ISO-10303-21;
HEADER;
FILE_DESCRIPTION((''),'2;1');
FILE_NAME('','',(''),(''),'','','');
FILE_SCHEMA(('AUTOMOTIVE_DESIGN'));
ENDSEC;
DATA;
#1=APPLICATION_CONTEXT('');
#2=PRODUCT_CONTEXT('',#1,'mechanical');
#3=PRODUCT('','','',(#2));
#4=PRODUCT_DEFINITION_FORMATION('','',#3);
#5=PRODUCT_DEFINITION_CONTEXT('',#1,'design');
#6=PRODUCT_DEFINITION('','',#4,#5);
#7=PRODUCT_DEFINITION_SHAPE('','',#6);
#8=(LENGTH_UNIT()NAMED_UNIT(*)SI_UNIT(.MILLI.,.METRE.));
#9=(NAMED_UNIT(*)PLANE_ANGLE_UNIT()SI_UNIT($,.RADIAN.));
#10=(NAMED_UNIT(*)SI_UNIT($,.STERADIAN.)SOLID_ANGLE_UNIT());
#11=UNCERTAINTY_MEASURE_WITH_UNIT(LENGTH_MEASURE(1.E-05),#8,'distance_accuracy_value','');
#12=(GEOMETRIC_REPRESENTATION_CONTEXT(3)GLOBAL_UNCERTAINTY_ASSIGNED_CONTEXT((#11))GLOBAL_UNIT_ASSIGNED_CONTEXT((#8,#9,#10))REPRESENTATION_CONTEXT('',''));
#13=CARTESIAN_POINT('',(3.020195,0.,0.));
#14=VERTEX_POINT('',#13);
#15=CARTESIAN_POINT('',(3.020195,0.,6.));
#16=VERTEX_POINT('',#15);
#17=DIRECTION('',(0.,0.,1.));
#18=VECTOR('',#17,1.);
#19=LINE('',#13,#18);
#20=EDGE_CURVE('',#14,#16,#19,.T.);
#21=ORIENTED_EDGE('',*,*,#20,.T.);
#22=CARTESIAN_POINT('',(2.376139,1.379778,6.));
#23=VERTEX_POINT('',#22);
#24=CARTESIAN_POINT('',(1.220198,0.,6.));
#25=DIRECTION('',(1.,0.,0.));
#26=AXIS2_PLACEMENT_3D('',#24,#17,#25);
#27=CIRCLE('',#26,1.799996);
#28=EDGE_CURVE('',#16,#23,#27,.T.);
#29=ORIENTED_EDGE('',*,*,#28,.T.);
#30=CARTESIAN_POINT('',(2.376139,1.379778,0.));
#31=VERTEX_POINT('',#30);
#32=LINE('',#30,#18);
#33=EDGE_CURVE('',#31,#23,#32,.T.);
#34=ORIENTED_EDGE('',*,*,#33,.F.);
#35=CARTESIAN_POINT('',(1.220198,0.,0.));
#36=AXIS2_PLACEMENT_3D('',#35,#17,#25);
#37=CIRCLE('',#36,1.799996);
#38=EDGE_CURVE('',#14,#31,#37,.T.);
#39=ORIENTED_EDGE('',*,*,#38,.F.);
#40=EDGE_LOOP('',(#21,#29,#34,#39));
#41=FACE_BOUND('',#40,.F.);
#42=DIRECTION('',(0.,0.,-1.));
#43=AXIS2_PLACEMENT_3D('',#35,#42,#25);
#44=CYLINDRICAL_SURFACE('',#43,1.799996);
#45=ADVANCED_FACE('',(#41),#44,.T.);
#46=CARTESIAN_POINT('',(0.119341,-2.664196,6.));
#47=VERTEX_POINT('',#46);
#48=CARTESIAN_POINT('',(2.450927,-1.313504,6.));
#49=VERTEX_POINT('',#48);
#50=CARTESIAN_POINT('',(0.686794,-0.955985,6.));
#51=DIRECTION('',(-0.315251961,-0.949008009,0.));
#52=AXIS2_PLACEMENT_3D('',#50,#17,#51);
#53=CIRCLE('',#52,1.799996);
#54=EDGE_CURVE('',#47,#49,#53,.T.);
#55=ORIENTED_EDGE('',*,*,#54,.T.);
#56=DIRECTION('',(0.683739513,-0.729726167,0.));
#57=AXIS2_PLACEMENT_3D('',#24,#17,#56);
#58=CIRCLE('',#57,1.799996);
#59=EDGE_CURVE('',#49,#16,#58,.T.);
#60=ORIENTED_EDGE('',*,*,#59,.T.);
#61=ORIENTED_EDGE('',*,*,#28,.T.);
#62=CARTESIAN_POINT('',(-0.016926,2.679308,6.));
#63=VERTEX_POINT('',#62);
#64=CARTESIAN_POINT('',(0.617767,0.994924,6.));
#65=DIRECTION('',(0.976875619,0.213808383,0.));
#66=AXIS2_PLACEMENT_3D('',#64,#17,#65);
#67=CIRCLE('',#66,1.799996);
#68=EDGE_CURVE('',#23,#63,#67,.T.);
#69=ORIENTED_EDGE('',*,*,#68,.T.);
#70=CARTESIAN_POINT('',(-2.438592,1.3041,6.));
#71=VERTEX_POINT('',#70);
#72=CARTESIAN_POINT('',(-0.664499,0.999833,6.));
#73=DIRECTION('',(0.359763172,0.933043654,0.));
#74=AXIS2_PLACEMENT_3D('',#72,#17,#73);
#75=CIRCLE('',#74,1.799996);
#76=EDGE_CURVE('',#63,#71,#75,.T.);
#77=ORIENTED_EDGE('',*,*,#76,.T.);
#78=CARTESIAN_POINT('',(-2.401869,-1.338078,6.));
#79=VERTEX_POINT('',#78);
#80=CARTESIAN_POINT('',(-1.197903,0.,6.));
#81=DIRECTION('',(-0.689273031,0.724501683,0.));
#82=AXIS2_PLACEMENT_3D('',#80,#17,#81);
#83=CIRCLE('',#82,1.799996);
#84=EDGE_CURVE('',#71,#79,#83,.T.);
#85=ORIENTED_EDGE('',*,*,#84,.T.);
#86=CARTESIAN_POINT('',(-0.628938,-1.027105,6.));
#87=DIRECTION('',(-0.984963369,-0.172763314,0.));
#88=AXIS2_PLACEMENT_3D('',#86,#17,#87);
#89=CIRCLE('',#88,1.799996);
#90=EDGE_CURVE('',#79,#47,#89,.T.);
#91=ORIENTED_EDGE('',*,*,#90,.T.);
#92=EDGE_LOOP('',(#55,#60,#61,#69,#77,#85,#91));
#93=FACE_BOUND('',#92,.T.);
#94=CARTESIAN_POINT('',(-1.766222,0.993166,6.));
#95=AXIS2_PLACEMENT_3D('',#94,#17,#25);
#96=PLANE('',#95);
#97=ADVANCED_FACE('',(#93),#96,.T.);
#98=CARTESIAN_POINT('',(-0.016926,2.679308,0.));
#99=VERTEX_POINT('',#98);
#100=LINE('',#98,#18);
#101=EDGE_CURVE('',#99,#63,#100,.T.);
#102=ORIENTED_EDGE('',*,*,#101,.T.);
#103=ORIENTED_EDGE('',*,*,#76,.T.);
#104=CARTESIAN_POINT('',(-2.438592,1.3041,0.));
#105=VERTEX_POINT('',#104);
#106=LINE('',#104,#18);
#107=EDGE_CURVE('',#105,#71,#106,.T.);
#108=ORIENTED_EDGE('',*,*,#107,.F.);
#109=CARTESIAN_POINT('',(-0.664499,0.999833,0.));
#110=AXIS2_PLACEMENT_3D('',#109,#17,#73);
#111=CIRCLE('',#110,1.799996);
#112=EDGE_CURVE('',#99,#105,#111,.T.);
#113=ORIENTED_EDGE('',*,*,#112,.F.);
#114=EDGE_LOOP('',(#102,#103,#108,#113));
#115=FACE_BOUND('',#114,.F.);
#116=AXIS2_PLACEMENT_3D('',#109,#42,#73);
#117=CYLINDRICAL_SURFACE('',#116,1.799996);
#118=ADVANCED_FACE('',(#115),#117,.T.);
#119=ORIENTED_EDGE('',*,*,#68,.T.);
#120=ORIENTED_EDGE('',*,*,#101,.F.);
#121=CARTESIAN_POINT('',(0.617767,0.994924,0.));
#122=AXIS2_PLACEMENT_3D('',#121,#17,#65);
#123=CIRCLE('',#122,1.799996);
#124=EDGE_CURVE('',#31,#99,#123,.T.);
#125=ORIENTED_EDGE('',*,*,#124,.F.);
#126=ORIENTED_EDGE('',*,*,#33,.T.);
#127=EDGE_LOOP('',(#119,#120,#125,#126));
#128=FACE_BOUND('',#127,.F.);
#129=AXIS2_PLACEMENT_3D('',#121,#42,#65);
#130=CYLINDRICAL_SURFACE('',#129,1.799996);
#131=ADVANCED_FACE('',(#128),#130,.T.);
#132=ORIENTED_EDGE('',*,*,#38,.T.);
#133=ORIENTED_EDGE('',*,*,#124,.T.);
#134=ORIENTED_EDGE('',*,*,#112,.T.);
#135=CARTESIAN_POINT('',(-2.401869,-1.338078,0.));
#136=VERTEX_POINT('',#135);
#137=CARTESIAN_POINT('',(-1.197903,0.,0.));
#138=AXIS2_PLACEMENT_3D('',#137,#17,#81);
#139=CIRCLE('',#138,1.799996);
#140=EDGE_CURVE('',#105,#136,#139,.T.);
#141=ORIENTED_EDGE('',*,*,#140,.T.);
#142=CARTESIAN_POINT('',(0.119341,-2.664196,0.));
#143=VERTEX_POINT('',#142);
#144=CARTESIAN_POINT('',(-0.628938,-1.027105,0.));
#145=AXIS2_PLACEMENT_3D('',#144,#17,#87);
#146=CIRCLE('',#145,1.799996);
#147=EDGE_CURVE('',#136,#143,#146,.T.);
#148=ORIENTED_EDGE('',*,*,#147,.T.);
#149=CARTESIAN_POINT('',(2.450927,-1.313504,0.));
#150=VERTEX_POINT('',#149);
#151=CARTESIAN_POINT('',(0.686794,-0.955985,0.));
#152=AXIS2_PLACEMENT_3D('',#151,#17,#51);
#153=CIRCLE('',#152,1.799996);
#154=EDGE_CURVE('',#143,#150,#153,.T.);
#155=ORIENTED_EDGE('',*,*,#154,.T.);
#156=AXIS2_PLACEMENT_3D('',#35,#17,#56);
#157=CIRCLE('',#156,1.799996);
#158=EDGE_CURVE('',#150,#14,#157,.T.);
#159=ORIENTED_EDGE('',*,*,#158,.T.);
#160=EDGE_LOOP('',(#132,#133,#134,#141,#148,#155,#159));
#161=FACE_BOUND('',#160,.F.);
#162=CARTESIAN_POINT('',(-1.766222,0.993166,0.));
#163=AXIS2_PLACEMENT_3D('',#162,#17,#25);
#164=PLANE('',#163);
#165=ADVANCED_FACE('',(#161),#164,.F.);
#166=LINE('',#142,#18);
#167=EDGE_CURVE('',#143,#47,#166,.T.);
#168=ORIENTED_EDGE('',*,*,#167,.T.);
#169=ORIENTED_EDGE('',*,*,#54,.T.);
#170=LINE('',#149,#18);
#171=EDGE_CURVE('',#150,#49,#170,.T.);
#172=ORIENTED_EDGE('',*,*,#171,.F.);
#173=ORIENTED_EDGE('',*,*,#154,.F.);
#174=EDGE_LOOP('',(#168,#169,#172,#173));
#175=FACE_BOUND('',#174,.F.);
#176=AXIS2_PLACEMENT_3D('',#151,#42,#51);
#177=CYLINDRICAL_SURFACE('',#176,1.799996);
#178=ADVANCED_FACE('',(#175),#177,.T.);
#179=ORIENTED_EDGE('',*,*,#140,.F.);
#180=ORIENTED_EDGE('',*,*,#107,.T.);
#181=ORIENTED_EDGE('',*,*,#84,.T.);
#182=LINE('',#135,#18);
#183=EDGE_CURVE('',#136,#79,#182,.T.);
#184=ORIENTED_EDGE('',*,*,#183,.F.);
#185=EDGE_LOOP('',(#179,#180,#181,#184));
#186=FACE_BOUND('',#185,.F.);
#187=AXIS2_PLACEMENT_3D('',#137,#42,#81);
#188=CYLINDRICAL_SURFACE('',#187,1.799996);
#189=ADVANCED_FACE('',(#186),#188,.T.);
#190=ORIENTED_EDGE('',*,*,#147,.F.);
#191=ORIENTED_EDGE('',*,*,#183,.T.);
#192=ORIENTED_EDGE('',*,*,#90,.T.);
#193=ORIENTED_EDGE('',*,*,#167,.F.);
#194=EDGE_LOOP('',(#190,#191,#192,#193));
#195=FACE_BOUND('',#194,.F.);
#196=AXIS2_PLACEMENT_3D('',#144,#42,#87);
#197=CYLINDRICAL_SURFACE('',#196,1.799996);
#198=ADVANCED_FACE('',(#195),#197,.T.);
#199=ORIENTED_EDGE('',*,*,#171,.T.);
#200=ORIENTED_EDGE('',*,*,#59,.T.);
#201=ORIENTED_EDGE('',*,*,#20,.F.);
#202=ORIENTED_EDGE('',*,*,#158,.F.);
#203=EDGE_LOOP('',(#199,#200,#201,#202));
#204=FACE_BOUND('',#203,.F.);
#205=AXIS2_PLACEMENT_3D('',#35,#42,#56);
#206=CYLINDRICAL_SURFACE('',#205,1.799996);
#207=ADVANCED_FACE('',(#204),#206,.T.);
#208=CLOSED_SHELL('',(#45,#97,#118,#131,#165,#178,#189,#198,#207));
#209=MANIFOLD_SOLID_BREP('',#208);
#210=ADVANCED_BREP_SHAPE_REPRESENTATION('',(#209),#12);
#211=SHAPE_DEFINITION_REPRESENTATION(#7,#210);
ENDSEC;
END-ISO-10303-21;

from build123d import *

# Parameters (mm, degrees)
F1_DEPTH = 6


with BuildPart() as f1:
    # F0 (on Top) → F1 (new body)
    with BuildSketch(Plane.XY):
        with BuildLine():
            ThreePointArc((-1.1568522608, 0.6937359032), (-1.1635140561, 1.2538159831), (-0.997691049, 1.7888270163))
            ThreePointArc((-0.997691049, 1.7888270163), (-1.7718265711, 1.7060478069), (-2.4385922747, 1.3041004216))
            ThreePointArc((-2.4385922747, 1.3041004216), (-2.4199534831, 0.6018817521), (-2.1339543408, -0.0397279073))
            ThreePointArc((-2.1339543408, -0.0397279073), (-1.7095369259, 0.4124412037), (-1.1568522608, 0.6937359032))
        make_face()
        with BuildLine():
            ThreePointArc((-0.997691049, 1.7888270163), (-0.5922058735, 2.3275723912), (-0.0169261846, 2.6793082097))
            ThreePointArc((-0.0169261846, 2.6793082097), (-1.5533527226, 2.5650567412), (-2.4385922747, 1.3041004216))
            ThreePointArc((-2.4385922747, 1.3041004216), (-1.7718265711, 1.7060478069), (-0.997691049, 1.7888270163))
        make_face()
        with BuildLine():
            ThreePointArc((0.9573035227, 1.7806946431), (0.5559078013, 2.3229336146), (-0.0169261846, 2.6793082097))
            ThreePointArc((-0.0169261846, 2.6793082097), (-0.5922058735, 2.3275723912), (-0.997691049, 1.7888270163))
            ThreePointArc((-0.997691049, 1.7888270163), (-0.4574037648, 1.6406241122), (0.0111474656, 1.3334853898))
            ThreePointArc((0.0111474656, 1.3334853898), (0.4510071634, 1.6273697), (0.9573035227, 1.7806946431))
        make_face()
        with BuildLine():
            ThreePointArc((0.9573035227, 1.7806946431), (1.7096536375, 1.7321721756), (2.3761394669, 1.3797778447))
            ThreePointArc((2.3761394669, 1.3797778447), (1.4767539015, 2.5767352448), (-0.0169261846, 2.6793082097))
            ThreePointArc((-0.0169261846, 2.6793082097), (0.5559078013, 2.3229336146), (0.9573035227, 1.7806946431))
        make_face()
        with BuildLine():
            ThreePointArc((2.1637118092, 0.0729466904), (2.3530885061, 0.5167542483), (2.4177632693, 0.9949235246))
            ThreePointArc((2.4177632693, 0.9949235246), (2.4073270646, 1.188472865), (2.3761394669, 1.3797778447))
            ThreePointArc((2.3761394669, 1.3797778447), (1.7096536375, 1.7321721756), (0.9573035227, 1.7806946431))
            ThreePointArc((0.9573035227, 1.7806946431), (1.0903838788, 1.4003008803), (1.1354978012, 0.9998329915))
            ThreePointArc((1.1354978012, 0.9998329915), (1.1324356845, 0.8948843302), (1.1232597528, 0.7902927419))
            ThreePointArc((1.1232597528, 0.7902927419), (1.708510909, 0.5259333713), (2.1637118092, 0.0729466904))
        make_face()
        with BuildLine():
            ThreePointArc((-2.1339543408, -0.0397279073), (-2.4199534831, 0.6018817521), (-2.4385922747, 1.3041004216))
            ThreePointArc((-2.4385922747, 1.3041004216), (-2.9977258641, -0.0250155949), (-2.4018688339, -1.338078486))
            ThreePointArc((-2.4018688339, -1.338078486), (-2.3917945043, -0.6633399709), (-2.1339543408, -0.0397279073))
        make_face()
        with BuildLine():
            ThreePointArc((-1.1009648217, -0.7464442706), (-1.680863021, -0.4857613008), (-2.1339543408, -0.0397279073))
            ThreePointArc((-2.1339543408, -0.0397279073), (-2.3917945043, -0.6633399709), (-2.4018688339, -1.338078486))
            ThreePointArc((-2.4018688339, -1.338078486), (-1.7080678324, -1.726186314), (-0.9147548233, -1.7775865604))
            ThreePointArc((-0.9147548233, -1.7775865604), (-1.084551606, -1.2758648881), (-1.1009648217, -0.7464442706))
        make_face()
        with BuildLine():
            ThreePointArc((-0.85915141, -0.0340076861), (-1.0482242964, 0.3134101527), (-1.1568522608, 0.6937359032))
            ThreePointArc((-1.1568522608, 0.6937359032), (-1.7095369259, 0.4124412037), (-2.1339543408, -0.0397279073))
            ThreePointArc((-2.1339543408, -0.0397279073), (-1.680863021, -0.4857613008), (-1.1009648217, -0.7464442706))
            ThreePointArc((-1.1009648217, -0.7464442706), (-1.0176963882, -0.3774508918), (-0.85915141, -0.0340076861))
        make_face()
        with BuildLine():
            ThreePointArc((-0.4116127927, 0.7597235158), (-0.7876987744, 0.7658762166), (-1.1568522608, 0.6937359032))
            ThreePointArc((-1.1568522608, 0.6937359032), (-1.0482242964, 0.3134101527), (-0.85915141, -0.0340076861))
            ThreePointArc((-0.85915141, -0.0340076861), (-0.7152772761, 0.1728132893), (-0.5439351314, 0.3575199534))
            ThreePointArc((-0.5439351314, 0.3575199534), (-0.4896413798, 0.5625260373), (-0.4116127927, 0.7597235158))
        make_face()
        with BuildLine():
            ThreePointArc((0.0111474656, 1.3334853898), (-0.4574037648, 1.6406241122), (-0.997691049, 1.7888270163))
            ThreePointArc((-0.997691049, 1.7888270163), (-1.1635140561, 1.2538159831), (-1.1568522608, 0.6937359032))
            ThreePointArc((-1.1568522608, 0.6937359032), (-0.7876987744, 0.7658762166), (-0.4116127927, 0.7597235158))
            ThreePointArc((-0.4116127927, 0.7597235158), (-0.2289134273, 1.0677370648), (0.0111474656, 1.3334853898))
        make_face()
        with BuildLine():
            ThreePointArc((0.4036450526, 0.8216020402), (0.2305129529, 1.095268938), (0.0111474656, 1.3334853898))
            ThreePointArc((0.0111474656, 1.3334853898), (-0.2289134273, 1.0677370648), (-0.4116127927, 0.7597235158))
            ThreePointArc((-0.4116127927, 0.7597235158), (-0.2345853282, 0.7291615679), (-0.061485922, 0.6811058566))
            ThreePointArc((-0.061485922, 0.6811058566), (0.1663171254, 0.7671206281), (0.4036450526, 0.8216020402))
        make_face()
        with BuildLine():
            ThreePointArc((-0.061485922, 0.6811058566), (-0.2345853282, 0.7291615679), (-0.4116127927, 0.7597235158))
            ThreePointArc((-0.4116127927, 0.7597235158), (-0.4896413798, 0.5625260373), (-0.5439351314, 0.3575199534))
            ThreePointArc((-0.5439351314, 0.3575199534), (-0.315850593, 0.5389040384), (-0.061485922, 0.6811058566))
        make_face()
        with BuildLine():
            ThreePointArc((-0.5381743659, -0.3848543202), (-0.2963556607, -0.5556786295), (-0.0298055449, -0.6845516936))
            ThreePointArc((-0.0298055449, -0.6845516936), (0.2922764364, -0.5248205993), (0.5761903753, -0.3042674301))
            ThreePointArc((0.5761903753, -0.3042674301), (0.5956057278, -0.1526840038), (0.6020930994, 0))
            ThreePointArc((0.6020930994, 0), (0.5953138626, 0.1560744869), (0.5750272169, 0.3109733427))
            ThreePointArc((0.5750272169, 0.3109733427), (0.2758986237, 0.5289337868), (-0.061485922, 0.6811058566))
            ThreePointArc((-0.061485922, 0.6811058566), (-0.315850593, 0.5389040384), (-0.5439351314, 0.3575199534))
            ThreePointArc((-0.5439351314, 0.3575199534), (-0.5797439761, -0.0139674087), (-0.5381743659, -0.3848543202))
        make_face()
        with BuildLine():
            ThreePointArc((0.5750272169, 0.3109733427), (0.5085439822, 0.5727344158), (0.4036450526, 0.8216020402))
            ThreePointArc((0.4036450526, 0.8216020402), (0.1663171254, 0.7671206281), (-0.061485922, 0.6811058566))
            ThreePointArc((-0.061485922, 0.6811058566), (0.2758986237, 0.5289337868), (0.5750272169, 0.3109733427))
        make_face()
        with BuildLine():
            ThreePointArc((0.8405174256, 0.0124557555), (1.0272012467, 0.3849031803), (1.1232597528, 0.7902927419))
            ThreePointArc((1.1232597528, 0.7902927419), (0.7650345091, 0.8423106138), (0.4036450526, 0.8216020402))
            ThreePointArc((0.4036450526, 0.8216020402), (0.5085439822, 0.5727344158), (0.5750272169, 0.3109733427))
            ThreePointArc((0.5750272169, 0.3109733427), (0.7160797193, 0.1691028335), (0.8405174256, 0.0124557555))
        make_face()
        with BuildLine():
            ThreePointArc((0.5761903753, -0.3042674301), (0.7174573986, -0.153503326), (0.8405174256, 0.0124557555))
            ThreePointArc((0.8405174256, 0.0124557555), (0.7160797193, 0.1691028335), (0.5750272169, 0.3109733427))
            ThreePointArc((0.5750272169, 0.3109733427), (0.5953138626, 0.1560744869), (0.6020930994, 0))
            ThreePointArc((0.6020930994, 0), (0.5956057278, -0.1526840038), (0.5761903753, -0.3042674301))
        make_face()
        with BuildLine():
            ThreePointArc((1.1456808137, -0.7259175219), (1.7289683251, -0.4211338064), (2.1637118092, 0.0729466904))
            ThreePointArc((2.1637118092, 0.0729466904), (1.708510909, 0.5259333713), (1.1232597528, 0.7902927419))
            ThreePointArc((1.1232597528, 0.7902927419), (1.0272012467, 0.3849031803), (0.8405174256, 0.0124557555))
            ThreePointArc((0.8405174256, 0.0124557555), (1.034583315, -0.3395858185), (1.1456808137, -0.7259175219))
        make_face()
        with BuildLine():
            ThreePointArc((-0.0298055449, -0.6845516936), (0.1903628873, -0.753593812), (0.4175546177, -0.7939034918))
            ThreePointArc((0.4175546177, -0.7939034918), (0.5144637367, -0.5547847955), (0.5761903753, -0.3042674301))
            ThreePointArc((0.5761903753, -0.3042674301), (0.2922764364, -0.5248205993), (-0.0298055449, -0.6845516936))
        make_face()
        with BuildLine():
            ThreePointArc((-0.5439351314, 0.3575199534), (-0.7152772761, 0.1728132893), (-0.85915141, -0.0340076861))
            ThreePointArc((-0.85915141, -0.0340076861), (-0.7102996373, -0.2200770492), (-0.5381743659, -0.3848543202))
            ThreePointArc((-0.5381743659, -0.3848543202), (-0.5797439761, -0.0139674087), (-0.5439351314, 0.3575199534))
        make_face()
        with BuildLine():
            ThreePointArc((-0.5381743659, -0.3848543202), (-0.7102996373, -0.2200770492), (-0.85915141, -0.0340076861))
            ThreePointArc((-0.85915141, -0.0340076861), (-1.0176963882, -0.3774508918), (-1.1009648217, -0.7464442706))
            ThreePointArc((-1.1009648217, -0.7464442706), (-0.7529740566, -0.7979876707), (-0.4016038897, -0.7808616516))
            ThreePointArc((-0.4016038897, -0.7808616516), (-0.4814482458, -0.5868443622), (-0.5381743659, -0.3848543202))
        make_face()
        with BuildLine():
            ThreePointArc((-0.4016038897, -0.7808616516), (-0.2131286285, -0.7426514962), (-0.0298055449, -0.6845516936))
            ThreePointArc((-0.0298055449, -0.6845516936), (-0.2963556607, -0.5556786295), (-0.5381743659, -0.3848543202))
            ThreePointArc((-0.5381743659, -0.3848543202), (-0.4814482458, -0.5868443622), (-0.4016038897, -0.7808616516))
        make_face()
        with BuildLine():
            ThreePointArc((-0.9147548233, -1.7775865604), (-0.4194618397, -1.6229651666), (0.0111474656, -1.3334853898))
            ThreePointArc((0.0111474656, -1.3334853898), (-0.2219460977, -1.0771289492), (-0.4016038897, -0.7808616516))
            ThreePointArc((-0.4016038897, -0.7808616516), (-0.7529740566, -0.7979876707), (-1.1009648217, -0.7464442706))
            ThreePointArc((-1.1009648217, -0.7464442706), (-1.084551606, -1.2758648881), (-0.9147548233, -1.7775865604))
        make_face()
        with BuildLine():
            ThreePointArc((0.0111474656, -1.3334853898), (0.239889968, -1.0829300793), (0.4175546177, -0.7939034918))
            ThreePointArc((0.4175546177, -0.7939034918), (0.1903628873, -0.753593812), (-0.0298055449, -0.6845516936))
            ThreePointArc((-0.0298055449, -0.6845516936), (-0.2131286285, -0.7426514962), (-0.4016038897, -0.7808616516))
            ThreePointArc((-0.4016038897, -0.7808616516), (-0.2219460977, -1.0771289492), (0.0111474656, -1.3334853898))
        make_face()
        with BuildLine():
            ThreePointArc((2.4867899299, -0.9559845203), (2.4041220695, -0.4167538395), (2.1637118092, 0.0729466904))
            ThreePointArc((2.1637118092, 0.0729466904), (1.7289683251, -0.4211338064), (1.1456808137, -0.7259175219))
            ThreePointArc((1.1456808137, -0.7259175219), (1.1647025459, -0.8759777226), (1.1710580836, -1.0271051433))
            ThreePointArc((1.1710580836, -1.0271051433), (1.1285088392, -1.4161636675), (1.0028727081, -1.786828659))
            ThreePointArc((1.0028727081, -1.786828659), (1.7794436394, -1.7109154316), (2.450926893, -1.3135044737))
            ThreePointArc((2.450926893, -1.3135044737), (2.4778017296, -1.1356416065), (2.4867899299, -0.9559845203))
        make_face()
        with BuildLine():
            ThreePointArc((2.3761394669, 1.3797778447), (2.4073270646, 1.188472865), (2.4177632693, 0.9949235246))
            ThreePointArc((2.4177632693, 0.9949235246), (2.3530885061, 0.5167542483), (2.1637118092, 0.0729466904))
            ThreePointArc((2.1637118092, 0.0729466904), (2.4041220695, -0.4167538395), (2.4867899299, -0.9559845203))
            ThreePointArc((2.4867899299, -0.9559845203), (2.4778017296, -1.1356416065), (2.450926893, -1.3135044737))
            ThreePointArc((2.450926893, -1.3135044737), (2.8717572225, -0.7157792538), (3.0201946317, 0))
            ThreePointArc((3.0201946317, 0), (2.8512526609, 0.7613464974), (2.3761394669, 1.3797778447))
        make_face()
        with BuildLine():
            ThreePointArc((-0.9147548233, -1.7775865604), (-1.7080678324, -1.726186314), (-2.4018688339, -1.338078486))
            ThreePointArc((-2.4018688339, -1.338078486), (-1.4668667433, -2.620172308), (0.1193411355, -2.6641955201))
            ThreePointArc((0.1193411355, -2.6641955201), (-0.4848121728, -2.3224863012), (-0.9147548233, -1.7775865604))
        make_face()
        with BuildLine():
            ThreePointArc((1.1710580836, -1.0271051433), (1.1647025459, -0.8759777226), (1.1456808137, -0.7259175219))
            ThreePointArc((1.1456808137, -0.7259175219), (0.7851067118, -0.7972774734), (0.4175546177, -0.7939034918))
            ThreePointArc((0.4175546177, -0.7939034918), (0.239889968, -1.0829300793), (0.0111474656, -1.3334853898))
            ThreePointArc((0.0111474656, -1.3334853898), (0.4718551554, -1.6370612939), (1.0028727081, -1.786828659))
            ThreePointArc((1.0028727081, -1.786828659), (1.1285088392, -1.4161636675), (1.1710580836, -1.0271051433))
        make_face()
        with BuildLine():
            ThreePointArc((0.1193411355, -2.6641955201), (0.6393876753, -2.3043428733), (1.0028727081, -1.786828659))
            ThreePointArc((1.0028727081, -1.786828659), (0.4718551554, -1.6370612939), (0.0111474656, -1.3334853898))
            ThreePointArc((0.0111474656, -1.3334853898), (-0.4194618397, -1.6229651666), (-0.9147548233, -1.7775865604))
            ThreePointArc((-0.9147548233, -1.7775865604), (-0.4848121728, -2.3224863012), (0.1193411355, -2.6641955201))
        make_face()
        with BuildLine():
            ThreePointArc((0.1193411355, -2.6641955201), (1.5890700457, -2.5135095214), (2.450926893, -1.3135044737))
            ThreePointArc((2.450926893, -1.3135044737), (1.7794436394, -1.7109154316), (1.0028727081, -1.786828659))
            ThreePointArc((1.0028727081, -1.786828659), (0.6393876753, -2.3043428733), (0.1193411355, -2.6641955201))
        make_face()
        with BuildLine():
            ThreePointArc((1.1354978012, 0.9998329915), (1.0903838788, 1.4003008803), (0.9573035227, 1.7806946431))
            ThreePointArc((0.9573035227, 1.7806946431), (0.4510071634, 1.6273697), (0.0111474656, 1.3334853898))
            ThreePointArc((0.0111474656, 1.3334853898), (0.2305129529, 1.095268938), (0.4036450526, 0.8216020402))
            ThreePointArc((0.4036450526, 0.8216020402), (0.7650345091, 0.8423106138), (1.1232597528, 0.7902927419))
            ThreePointArc((1.1232597528, 0.7902927419), (1.1324356845, 0.8948843302), (1.1354978012, 0.9998329915))
        make_face()
        with BuildLine():
            ThreePointArc((0.4175546177, -0.7939034918), (0.7851067118, -0.7972774734), (1.1456808137, -0.7259175219))
            ThreePointArc((1.1456808137, -0.7259175219), (1.034583315, -0.3395858185), (0.8405174256, 0.0124557555))
            ThreePointArc((0.8405174256, 0.0124557555), (0.7174573986, -0.153503326), (0.5761903753, -0.3042674301))
            ThreePointArc((0.5761903753, -0.3042674301), (0.5144637367, -0.5547847955), (0.4175546177, -0.7939034918))
        make_face()
    extrude(amount=F1_DEPTH)


solid = f1.part
